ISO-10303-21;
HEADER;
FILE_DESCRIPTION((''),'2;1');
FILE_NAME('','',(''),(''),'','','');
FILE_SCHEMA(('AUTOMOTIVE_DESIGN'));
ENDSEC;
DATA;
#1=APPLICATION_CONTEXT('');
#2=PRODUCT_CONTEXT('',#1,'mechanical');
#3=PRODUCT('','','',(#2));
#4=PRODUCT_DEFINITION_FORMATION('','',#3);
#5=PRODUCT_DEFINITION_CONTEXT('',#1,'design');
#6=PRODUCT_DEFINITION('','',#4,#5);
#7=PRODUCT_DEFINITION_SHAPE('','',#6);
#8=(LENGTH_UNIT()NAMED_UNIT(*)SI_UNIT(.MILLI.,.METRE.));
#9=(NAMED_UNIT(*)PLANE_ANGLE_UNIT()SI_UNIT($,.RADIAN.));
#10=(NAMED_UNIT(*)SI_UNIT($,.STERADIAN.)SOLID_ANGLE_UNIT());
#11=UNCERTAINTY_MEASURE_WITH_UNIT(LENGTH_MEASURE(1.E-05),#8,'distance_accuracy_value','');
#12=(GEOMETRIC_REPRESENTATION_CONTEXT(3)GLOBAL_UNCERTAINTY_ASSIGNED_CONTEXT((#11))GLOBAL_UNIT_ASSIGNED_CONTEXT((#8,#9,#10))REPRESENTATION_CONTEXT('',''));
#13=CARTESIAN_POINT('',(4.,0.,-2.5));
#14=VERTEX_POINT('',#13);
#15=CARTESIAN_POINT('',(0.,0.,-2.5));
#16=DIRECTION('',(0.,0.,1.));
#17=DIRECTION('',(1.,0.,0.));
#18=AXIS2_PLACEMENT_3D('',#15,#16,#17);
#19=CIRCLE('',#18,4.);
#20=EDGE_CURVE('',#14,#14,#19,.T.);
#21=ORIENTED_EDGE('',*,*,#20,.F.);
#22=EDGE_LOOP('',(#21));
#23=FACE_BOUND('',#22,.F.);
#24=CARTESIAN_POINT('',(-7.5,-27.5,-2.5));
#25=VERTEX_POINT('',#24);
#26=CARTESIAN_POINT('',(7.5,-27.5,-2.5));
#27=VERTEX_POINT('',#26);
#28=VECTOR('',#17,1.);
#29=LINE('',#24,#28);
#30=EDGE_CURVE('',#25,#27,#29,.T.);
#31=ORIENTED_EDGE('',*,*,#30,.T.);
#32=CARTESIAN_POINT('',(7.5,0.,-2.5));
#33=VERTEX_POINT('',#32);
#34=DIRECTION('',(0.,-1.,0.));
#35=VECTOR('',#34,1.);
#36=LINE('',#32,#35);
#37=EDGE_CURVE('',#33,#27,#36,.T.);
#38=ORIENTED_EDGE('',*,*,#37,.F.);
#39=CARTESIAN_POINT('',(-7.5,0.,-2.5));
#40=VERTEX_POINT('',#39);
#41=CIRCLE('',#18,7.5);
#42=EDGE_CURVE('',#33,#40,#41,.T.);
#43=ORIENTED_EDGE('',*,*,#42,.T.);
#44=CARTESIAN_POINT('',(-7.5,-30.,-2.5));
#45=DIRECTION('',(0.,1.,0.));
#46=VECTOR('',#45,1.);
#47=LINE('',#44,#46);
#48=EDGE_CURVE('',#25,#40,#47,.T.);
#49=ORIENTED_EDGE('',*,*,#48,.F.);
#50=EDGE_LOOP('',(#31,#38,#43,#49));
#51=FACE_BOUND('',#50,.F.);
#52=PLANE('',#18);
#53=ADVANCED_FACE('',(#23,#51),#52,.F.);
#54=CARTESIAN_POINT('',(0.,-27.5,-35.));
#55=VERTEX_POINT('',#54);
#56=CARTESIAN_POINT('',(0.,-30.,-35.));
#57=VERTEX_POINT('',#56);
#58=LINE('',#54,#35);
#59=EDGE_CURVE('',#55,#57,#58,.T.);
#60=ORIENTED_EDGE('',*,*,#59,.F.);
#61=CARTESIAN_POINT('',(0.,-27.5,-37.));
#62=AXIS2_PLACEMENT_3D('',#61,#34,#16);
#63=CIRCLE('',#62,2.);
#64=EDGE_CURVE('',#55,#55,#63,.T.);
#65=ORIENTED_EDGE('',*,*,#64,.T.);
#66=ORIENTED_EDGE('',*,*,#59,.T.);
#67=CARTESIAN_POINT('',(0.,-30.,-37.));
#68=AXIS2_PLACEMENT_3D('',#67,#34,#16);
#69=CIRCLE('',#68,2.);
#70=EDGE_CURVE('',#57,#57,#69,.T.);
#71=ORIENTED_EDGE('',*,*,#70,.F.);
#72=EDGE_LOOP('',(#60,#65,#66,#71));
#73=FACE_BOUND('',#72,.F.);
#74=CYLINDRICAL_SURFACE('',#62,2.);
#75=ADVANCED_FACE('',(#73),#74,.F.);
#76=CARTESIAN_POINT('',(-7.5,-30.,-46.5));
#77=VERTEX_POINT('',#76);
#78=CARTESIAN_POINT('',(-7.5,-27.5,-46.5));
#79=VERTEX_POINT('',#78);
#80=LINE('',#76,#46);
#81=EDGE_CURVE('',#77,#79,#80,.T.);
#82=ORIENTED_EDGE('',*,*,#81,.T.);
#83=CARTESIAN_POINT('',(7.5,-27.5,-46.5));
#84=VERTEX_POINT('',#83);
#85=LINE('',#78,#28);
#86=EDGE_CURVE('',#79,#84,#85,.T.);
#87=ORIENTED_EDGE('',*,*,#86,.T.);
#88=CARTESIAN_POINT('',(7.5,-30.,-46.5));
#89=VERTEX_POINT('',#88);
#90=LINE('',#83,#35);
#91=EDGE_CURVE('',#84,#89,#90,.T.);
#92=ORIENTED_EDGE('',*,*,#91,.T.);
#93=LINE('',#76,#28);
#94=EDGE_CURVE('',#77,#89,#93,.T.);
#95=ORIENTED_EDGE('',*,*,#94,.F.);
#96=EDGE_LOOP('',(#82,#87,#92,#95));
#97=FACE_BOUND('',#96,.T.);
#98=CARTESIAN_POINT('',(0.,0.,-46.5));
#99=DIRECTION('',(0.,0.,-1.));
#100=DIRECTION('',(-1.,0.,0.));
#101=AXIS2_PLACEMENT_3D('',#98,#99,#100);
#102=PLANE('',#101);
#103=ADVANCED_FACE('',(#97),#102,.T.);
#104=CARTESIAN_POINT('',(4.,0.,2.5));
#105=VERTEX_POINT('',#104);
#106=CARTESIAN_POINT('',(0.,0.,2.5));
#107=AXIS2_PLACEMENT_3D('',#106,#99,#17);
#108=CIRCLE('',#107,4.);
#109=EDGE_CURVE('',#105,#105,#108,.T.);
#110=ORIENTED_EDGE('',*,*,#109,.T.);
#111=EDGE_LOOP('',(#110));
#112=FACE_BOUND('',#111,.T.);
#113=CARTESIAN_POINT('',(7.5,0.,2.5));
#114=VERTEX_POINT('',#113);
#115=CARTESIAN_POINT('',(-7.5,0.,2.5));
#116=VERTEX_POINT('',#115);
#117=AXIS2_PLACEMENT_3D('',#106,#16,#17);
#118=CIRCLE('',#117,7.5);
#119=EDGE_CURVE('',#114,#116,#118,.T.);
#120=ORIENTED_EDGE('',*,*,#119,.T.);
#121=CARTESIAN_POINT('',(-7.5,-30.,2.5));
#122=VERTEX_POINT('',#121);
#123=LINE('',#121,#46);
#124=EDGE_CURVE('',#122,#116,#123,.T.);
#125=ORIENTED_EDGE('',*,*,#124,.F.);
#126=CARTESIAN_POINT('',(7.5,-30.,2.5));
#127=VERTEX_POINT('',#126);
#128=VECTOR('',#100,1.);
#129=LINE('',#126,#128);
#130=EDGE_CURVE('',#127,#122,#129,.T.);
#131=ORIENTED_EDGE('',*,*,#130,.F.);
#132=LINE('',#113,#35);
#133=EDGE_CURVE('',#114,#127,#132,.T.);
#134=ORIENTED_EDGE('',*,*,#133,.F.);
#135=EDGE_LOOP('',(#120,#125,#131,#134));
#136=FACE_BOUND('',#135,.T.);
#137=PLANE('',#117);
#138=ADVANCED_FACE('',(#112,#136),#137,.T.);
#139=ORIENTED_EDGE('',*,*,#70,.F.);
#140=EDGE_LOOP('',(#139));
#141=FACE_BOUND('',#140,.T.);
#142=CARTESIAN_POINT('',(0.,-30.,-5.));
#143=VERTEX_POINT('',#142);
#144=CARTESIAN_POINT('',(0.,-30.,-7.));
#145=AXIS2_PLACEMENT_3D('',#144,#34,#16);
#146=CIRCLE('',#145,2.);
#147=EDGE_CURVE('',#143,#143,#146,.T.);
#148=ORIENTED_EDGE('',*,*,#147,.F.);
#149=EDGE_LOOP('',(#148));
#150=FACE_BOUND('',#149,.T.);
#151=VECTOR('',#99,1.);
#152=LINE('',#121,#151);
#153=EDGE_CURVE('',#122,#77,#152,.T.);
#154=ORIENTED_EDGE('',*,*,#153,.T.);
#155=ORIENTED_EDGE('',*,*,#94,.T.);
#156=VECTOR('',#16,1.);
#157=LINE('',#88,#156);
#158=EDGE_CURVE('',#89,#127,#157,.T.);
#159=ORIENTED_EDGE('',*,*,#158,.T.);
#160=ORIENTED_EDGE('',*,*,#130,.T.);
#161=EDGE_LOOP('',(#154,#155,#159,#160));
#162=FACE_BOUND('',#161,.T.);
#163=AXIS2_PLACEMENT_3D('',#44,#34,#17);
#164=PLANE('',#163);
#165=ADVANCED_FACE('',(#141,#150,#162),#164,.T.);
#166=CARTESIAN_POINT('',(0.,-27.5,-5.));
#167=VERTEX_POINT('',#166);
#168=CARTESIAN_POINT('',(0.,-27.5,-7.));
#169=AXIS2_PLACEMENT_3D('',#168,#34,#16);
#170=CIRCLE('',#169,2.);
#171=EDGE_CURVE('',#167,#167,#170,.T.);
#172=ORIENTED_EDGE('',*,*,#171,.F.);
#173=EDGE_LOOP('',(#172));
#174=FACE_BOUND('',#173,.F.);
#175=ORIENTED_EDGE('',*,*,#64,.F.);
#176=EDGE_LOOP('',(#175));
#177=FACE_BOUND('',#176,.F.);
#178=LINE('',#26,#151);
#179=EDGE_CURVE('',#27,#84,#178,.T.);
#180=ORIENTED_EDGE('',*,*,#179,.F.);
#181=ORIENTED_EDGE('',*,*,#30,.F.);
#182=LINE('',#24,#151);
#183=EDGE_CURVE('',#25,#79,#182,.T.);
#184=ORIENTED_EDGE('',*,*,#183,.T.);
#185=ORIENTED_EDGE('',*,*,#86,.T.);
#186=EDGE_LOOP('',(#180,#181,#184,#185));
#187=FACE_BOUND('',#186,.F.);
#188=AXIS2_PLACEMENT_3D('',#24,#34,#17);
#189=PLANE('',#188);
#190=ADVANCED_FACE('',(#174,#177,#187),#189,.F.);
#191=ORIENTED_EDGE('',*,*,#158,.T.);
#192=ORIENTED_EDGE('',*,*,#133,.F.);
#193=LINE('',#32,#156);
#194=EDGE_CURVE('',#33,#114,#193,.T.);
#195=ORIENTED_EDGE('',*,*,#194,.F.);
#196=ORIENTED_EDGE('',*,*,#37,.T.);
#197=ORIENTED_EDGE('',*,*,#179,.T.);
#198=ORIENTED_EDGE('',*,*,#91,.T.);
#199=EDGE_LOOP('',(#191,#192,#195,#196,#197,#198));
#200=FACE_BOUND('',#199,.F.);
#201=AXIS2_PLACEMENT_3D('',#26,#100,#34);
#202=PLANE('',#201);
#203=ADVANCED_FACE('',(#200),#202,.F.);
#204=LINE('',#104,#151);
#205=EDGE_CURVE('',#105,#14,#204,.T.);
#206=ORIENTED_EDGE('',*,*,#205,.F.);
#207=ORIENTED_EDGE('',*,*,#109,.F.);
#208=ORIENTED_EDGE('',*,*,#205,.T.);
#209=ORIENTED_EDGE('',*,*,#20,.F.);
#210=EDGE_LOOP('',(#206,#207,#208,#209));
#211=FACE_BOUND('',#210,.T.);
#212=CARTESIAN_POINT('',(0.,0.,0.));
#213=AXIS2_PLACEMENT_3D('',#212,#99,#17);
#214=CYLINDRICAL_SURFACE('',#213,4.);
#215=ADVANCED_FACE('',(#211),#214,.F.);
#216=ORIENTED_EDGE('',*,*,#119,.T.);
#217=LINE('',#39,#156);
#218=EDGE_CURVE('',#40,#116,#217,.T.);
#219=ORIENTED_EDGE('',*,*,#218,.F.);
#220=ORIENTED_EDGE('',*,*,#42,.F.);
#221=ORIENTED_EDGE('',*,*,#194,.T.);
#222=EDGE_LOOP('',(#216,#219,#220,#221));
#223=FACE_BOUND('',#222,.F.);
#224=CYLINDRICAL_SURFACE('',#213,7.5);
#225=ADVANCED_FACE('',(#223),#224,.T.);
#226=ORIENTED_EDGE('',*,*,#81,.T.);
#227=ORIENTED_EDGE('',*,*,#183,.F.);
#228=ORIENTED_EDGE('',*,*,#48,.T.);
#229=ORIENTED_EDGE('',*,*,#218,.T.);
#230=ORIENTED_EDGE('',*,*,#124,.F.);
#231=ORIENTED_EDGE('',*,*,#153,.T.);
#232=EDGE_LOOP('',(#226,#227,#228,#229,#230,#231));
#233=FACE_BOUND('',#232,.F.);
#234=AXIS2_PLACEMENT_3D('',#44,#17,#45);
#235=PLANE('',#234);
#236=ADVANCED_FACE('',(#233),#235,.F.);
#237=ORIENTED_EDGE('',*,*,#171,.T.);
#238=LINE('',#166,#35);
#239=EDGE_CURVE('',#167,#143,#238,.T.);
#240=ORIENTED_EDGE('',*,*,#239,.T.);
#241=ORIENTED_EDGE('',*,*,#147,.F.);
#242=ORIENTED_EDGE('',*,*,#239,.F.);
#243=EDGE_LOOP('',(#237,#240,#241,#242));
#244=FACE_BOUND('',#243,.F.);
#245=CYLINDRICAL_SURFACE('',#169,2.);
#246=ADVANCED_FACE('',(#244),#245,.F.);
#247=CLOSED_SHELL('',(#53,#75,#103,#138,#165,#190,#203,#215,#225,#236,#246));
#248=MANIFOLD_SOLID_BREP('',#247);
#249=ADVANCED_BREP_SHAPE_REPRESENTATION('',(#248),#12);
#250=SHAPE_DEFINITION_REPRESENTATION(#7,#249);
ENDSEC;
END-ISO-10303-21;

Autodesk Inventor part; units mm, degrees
ref_plane "YZ Plane" through (0, 0, 0) normal (1, 0, 0) x (0, 1, 0)
ref_plane "XZ Plane" through (0, 0, 0) normal (0, 1, 0) x (-1, 0, 0)
ref_plane "XY Plane" through (0, 0, 0) normal (0, 0, 1) x (1, 0, 0)
sketch "Sketch1" plane through (0, 0, 0) normal (0, 0, 1) x (1, 0, 0)
  circle A0 centre (0, 0) radius 4
  arc A1 (7.5, 0) -> (-7.5, 0) centre (0, 0) ccw
  line L0 (-7.5, 0) -> (7.5, 0)
  line L1 (7.5, 0) -> (7.5, -30)
  line L2 (7.5, -30) -> (-7.5, -30)
  line L3 (-7.5, -30) -> (-7.5, 0)
  dimension "d0" = 8
  dimension "d1" = 15
  dimension "d2" = 15
  dimension "d3" = 30
extrude "Extrusion1" add sketch "Sketch1" along normal mid plane 5 contours L0 L1 L2 L3 A0 | A0 L0 A1
sketch "Sketch2" plane through (0, 0, -2.5) normal (0, 0, -1) x (-1, 0, 0)
  line L0 (7.5, -30) -> (-7.5, -30) projected
  line L1 (-7.5, -30) -> (7.5, -30)
  line L2 (7.5, -30) -> (7.5, -27.5)
  line L3 (7.5, -27.5) -> (-7.5, -27.5)
  line L4 (-7.5, -27.5) -> (-7.5, -30)
  point P0 (0, 0)
  point P1 (7.5, -30)
  dimension "d6" = 15
  dimension "d7" = 2.5
extrude "Extrusion2" add sketch "Sketch2" along normal blind 44
sketch "Sketch3" plane through (-7.5, -27.5, -2.5) normal (0, 1, 0) x (1, 0, 0)
  line L0 (0, -5) -> (15, -5) projected
  line L1 (7.5, -5) -> (7.5, 4.5)
  line L2 (7.5, 4.5) -> (7.5, 34.5)
  point P0 (7.5, -2.5)
  dimension "d10" = 9.5
  dimension "d11" = 30
hole "Hole1" at (0, -27.5, -7) at (0, -27.5, -37) direction (0, -1, 0) diameter 4 depth 6
properties part number "Half Bearing Block"
